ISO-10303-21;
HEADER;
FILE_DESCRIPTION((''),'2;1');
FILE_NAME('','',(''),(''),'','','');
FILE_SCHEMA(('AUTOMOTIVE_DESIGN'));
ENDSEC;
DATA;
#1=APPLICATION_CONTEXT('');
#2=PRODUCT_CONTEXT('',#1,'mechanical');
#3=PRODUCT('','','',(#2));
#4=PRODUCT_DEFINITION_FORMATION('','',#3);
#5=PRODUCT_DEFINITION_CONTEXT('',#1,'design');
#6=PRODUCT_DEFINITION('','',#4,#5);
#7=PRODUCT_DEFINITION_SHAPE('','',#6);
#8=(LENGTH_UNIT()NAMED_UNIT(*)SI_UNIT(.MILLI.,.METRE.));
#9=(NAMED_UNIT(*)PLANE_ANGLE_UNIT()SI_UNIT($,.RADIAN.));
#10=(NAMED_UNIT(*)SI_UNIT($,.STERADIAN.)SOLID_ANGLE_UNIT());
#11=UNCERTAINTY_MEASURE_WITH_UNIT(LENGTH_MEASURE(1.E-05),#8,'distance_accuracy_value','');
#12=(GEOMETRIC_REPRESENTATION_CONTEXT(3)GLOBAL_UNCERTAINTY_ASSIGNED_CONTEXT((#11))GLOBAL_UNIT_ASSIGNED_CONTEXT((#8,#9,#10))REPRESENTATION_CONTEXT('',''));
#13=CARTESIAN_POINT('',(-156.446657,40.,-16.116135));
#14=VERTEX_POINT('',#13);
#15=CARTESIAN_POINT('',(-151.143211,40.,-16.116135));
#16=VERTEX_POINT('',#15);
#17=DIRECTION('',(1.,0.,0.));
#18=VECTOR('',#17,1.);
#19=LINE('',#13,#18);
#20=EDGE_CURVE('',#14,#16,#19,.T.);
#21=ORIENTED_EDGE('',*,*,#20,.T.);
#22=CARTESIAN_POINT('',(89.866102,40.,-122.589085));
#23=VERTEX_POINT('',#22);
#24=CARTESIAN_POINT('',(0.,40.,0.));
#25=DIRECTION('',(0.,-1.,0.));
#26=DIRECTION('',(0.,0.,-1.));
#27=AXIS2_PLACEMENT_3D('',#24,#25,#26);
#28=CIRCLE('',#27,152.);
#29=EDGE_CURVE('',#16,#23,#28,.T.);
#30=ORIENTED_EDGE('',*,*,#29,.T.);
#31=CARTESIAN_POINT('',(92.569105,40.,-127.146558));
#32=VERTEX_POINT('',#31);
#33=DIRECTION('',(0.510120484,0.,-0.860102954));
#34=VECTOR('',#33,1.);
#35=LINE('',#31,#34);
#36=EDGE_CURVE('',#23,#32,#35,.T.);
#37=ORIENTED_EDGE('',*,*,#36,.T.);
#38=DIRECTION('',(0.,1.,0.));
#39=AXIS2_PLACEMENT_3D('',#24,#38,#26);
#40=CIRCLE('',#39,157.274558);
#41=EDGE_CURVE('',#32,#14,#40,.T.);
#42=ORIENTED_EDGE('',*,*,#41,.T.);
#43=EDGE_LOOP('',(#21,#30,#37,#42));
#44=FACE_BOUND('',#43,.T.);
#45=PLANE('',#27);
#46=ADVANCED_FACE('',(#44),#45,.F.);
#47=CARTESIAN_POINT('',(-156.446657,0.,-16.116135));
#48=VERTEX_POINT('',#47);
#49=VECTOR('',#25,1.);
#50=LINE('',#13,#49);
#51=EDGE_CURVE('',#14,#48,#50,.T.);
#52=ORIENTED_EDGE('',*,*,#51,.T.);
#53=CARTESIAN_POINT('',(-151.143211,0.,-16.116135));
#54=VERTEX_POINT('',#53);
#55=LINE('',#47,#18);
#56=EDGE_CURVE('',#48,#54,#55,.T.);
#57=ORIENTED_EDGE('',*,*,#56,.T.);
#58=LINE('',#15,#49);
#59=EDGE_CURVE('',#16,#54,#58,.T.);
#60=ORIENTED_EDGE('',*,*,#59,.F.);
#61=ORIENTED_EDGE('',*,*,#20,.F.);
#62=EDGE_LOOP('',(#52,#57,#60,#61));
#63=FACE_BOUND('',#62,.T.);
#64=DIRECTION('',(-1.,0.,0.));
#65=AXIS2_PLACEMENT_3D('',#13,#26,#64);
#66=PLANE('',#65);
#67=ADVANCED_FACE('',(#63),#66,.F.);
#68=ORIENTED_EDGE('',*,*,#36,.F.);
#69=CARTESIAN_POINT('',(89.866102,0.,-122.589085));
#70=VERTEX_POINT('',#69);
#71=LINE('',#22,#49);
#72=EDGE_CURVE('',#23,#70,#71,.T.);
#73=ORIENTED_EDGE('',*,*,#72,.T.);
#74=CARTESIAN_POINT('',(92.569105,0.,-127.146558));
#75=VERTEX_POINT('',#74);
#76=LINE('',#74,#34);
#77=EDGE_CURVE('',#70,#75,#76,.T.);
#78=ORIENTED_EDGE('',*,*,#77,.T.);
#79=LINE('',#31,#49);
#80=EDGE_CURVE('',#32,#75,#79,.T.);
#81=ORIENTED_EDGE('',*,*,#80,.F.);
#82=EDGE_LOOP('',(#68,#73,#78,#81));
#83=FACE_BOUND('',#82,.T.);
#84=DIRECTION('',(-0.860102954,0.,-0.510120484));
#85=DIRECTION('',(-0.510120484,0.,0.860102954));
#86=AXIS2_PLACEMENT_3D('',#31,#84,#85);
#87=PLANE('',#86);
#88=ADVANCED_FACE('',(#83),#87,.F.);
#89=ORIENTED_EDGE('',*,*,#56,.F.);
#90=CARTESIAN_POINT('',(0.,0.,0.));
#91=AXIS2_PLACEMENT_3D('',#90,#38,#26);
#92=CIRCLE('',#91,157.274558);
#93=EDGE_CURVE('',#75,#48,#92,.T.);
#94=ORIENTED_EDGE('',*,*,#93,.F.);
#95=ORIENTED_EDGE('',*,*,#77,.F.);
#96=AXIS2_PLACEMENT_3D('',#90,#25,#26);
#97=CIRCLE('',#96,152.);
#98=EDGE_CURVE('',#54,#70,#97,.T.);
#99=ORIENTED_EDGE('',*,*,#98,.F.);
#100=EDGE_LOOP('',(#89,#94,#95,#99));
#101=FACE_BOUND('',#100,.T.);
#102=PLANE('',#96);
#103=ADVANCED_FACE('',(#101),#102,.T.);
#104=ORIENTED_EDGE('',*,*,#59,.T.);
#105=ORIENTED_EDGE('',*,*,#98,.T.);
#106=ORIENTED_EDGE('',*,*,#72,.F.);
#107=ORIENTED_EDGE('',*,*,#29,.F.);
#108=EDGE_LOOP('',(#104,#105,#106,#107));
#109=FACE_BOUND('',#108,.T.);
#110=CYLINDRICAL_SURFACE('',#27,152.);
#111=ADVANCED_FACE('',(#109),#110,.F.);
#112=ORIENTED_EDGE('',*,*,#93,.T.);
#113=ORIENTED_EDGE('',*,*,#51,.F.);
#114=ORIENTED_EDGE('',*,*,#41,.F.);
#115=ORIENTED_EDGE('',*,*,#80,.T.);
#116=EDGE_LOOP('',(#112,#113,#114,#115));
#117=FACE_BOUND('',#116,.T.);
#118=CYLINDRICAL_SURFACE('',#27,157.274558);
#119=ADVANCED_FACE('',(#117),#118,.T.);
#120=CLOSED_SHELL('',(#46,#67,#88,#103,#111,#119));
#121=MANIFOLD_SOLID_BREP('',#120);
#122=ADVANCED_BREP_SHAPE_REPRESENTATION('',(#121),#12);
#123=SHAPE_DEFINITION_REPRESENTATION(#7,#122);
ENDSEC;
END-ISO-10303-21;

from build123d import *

# Parameters (mm, degrees)
BOSS_EXTRUDE1_DEPTH = 40


with BuildPart() as part:
    # Sketch1 → Boss-Extrude1 (new body)
    with BuildSketch(Plane(origin=(0, 0, 0), x_dir=(1, 0, 0), z_dir=(0, 1, 0))):
        with BuildLine():
            Line((-156.446657471, 16.116134878), (-151.143210885, 16.116134878))
            ThreePointArc((-151.143210885, 16.116134878), (-61.423475026, 139.036530148), (89.866102002, 122.589084796))
            Line((89.866102002, 122.589084796), (92.569104695, 127.146558322))
            ThreePointArc((92.569104695, 127.146558322), (-64.047046534, 143.642828807), (-156.446657471, 16.116134878))
        make_face()
    extrude(amount=BOSS_EXTRUDE1_DEPTH)


solid = part.part
